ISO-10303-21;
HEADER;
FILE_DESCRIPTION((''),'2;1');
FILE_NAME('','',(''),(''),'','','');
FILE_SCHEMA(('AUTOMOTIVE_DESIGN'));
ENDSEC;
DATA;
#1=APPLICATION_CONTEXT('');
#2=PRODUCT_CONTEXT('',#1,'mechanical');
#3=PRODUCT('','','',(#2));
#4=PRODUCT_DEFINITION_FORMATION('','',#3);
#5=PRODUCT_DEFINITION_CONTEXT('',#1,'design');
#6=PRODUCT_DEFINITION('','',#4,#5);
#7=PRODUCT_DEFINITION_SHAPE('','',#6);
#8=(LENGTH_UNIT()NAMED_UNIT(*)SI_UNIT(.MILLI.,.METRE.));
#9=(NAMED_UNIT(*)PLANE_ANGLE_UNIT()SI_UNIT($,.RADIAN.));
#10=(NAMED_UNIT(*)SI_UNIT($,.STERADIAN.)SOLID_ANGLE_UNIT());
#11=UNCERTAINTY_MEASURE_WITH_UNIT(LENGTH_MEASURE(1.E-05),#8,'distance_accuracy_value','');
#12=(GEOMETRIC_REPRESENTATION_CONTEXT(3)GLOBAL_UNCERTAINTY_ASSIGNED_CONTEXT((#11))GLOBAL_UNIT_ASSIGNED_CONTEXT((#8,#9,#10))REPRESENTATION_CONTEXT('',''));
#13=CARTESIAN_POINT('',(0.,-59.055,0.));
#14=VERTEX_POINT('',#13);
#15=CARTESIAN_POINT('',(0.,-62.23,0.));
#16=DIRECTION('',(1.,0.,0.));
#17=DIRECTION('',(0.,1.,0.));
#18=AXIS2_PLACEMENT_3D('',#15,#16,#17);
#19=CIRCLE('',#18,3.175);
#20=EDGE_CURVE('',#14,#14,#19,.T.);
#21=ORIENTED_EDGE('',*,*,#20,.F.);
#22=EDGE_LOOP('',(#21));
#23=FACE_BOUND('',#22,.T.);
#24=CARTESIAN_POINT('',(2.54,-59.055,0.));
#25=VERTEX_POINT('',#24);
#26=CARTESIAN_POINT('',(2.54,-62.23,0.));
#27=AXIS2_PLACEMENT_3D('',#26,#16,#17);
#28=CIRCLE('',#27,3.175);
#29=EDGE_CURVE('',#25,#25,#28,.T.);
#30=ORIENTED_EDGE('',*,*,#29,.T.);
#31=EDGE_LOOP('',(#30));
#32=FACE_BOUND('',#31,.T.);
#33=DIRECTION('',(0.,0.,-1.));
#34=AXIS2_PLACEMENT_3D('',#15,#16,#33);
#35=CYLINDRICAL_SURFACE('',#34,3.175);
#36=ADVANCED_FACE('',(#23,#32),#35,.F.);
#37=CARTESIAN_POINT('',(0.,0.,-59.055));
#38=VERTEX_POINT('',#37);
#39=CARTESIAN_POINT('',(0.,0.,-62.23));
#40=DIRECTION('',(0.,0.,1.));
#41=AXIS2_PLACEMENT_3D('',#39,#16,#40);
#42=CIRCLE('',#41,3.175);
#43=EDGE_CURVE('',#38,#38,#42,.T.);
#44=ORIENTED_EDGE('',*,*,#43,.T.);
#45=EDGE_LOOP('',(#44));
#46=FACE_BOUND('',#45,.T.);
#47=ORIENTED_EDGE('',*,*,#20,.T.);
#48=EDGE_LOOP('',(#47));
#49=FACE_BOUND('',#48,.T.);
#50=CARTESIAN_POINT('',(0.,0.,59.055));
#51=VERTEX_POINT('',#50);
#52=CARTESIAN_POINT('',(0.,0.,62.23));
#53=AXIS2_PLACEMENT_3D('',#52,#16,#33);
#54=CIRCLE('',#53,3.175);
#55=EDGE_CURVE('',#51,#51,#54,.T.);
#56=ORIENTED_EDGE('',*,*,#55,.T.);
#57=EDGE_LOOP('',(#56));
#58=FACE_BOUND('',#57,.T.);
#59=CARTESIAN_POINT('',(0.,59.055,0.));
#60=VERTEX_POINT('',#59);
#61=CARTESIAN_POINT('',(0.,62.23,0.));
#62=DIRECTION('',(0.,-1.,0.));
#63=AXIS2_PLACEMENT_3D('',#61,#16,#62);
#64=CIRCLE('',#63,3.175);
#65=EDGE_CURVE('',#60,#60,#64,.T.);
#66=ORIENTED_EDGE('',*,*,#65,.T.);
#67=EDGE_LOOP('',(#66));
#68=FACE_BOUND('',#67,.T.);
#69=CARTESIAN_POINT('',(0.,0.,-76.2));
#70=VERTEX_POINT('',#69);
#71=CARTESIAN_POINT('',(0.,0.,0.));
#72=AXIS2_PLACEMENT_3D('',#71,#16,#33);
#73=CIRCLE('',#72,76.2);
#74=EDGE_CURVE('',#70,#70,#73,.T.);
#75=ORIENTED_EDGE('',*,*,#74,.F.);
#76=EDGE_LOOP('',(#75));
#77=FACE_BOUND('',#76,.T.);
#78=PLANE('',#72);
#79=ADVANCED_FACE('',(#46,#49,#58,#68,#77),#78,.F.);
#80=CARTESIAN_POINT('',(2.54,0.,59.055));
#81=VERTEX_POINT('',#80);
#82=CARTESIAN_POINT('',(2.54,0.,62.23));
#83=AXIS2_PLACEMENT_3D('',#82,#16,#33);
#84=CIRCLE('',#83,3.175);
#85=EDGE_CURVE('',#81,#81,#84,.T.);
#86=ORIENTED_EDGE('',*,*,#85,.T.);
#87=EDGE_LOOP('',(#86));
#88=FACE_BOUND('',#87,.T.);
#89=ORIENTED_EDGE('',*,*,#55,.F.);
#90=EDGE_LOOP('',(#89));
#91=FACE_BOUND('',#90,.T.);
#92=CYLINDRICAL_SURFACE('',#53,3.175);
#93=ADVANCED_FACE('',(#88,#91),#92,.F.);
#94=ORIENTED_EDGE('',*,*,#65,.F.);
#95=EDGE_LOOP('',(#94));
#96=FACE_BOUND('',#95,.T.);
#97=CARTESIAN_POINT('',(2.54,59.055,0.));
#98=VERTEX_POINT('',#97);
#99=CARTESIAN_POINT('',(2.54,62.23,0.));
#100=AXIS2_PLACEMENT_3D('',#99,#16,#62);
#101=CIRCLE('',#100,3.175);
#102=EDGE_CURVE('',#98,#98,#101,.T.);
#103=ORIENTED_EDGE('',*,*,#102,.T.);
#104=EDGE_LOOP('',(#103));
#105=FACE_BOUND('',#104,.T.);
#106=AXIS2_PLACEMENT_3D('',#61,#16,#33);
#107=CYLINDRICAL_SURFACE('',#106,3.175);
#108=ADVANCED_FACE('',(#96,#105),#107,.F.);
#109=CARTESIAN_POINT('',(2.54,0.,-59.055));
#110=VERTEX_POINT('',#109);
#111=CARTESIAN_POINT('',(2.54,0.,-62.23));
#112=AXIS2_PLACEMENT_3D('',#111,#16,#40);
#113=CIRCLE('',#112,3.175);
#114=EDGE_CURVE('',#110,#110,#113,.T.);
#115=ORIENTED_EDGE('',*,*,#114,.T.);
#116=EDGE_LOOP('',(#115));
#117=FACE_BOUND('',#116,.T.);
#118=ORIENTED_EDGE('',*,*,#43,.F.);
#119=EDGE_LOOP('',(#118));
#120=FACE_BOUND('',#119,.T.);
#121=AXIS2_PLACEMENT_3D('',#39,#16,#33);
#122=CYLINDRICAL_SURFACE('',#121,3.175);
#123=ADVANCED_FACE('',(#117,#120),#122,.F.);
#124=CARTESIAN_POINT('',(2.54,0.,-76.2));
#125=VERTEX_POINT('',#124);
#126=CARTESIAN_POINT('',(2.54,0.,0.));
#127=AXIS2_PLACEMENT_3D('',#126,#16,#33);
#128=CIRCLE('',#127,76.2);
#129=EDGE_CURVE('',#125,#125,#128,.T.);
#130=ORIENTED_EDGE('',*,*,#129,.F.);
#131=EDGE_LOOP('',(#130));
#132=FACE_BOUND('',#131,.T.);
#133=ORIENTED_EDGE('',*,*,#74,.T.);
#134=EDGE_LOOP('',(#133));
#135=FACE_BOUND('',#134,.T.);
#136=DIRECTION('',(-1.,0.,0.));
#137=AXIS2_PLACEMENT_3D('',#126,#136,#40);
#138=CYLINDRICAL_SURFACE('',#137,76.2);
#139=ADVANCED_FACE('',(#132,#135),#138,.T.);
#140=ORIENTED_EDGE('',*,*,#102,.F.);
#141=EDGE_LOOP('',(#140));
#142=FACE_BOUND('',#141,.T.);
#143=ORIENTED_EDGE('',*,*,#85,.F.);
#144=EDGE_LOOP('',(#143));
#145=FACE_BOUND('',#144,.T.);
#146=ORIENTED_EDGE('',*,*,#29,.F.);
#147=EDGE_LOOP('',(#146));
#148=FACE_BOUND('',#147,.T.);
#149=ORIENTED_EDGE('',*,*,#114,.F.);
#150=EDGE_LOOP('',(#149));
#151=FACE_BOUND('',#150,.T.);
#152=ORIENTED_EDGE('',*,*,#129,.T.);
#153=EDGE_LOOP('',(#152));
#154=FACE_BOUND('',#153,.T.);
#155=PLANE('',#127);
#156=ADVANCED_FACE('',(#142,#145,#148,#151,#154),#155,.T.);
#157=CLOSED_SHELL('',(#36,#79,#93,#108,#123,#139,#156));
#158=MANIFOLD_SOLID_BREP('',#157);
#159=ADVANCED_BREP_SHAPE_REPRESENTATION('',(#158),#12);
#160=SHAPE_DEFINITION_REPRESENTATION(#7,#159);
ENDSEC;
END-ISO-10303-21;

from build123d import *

# Parameters (mm, degrees)
SKETCH1_R           = 76.2
BOSS_EXTRUDE1_DEPTH = 2.54
SKETCH2_R           = 3.175
CUT_EXTRUDE2_DEPTH  = 108.793003484
CIRPATTERN2_COUNT   = 4


with BuildPart() as part:
    # Sketch1 → Boss-Extrude1 (new body)
    with BuildSketch(Plane.YZ):
        with Locations(Location((0, 0, 0), (0, 0, 270))):
            Circle(SKETCH1_R)
    extrude(amount=BOSS_EXTRUDE1_DEPTH)

    # Sketch2 → Cut-Extrude2 (cut, through all)
    with BuildSketch(Plane(origin=(2.54, 0, 0), x_dir=(0, 0, -1), z_dir=(1, 0, 0))):
        with Locations((-62.23, 0)):
            Circle(SKETCH2_R)
    cut_extrude2 = extrude(amount=-CUT_EXTRUDE2_DEPTH, mode=Mode.SUBTRACT)

    # CirPattern2: Cut-Extrude2 ×4 about axis
    cirpattern2_axis = Axis((0, 0, 0), (1, 0, 0))
    for i in range(1, CIRPATTERN2_COUNT):
        add(cut_extrude2.rotate(cirpattern2_axis, i * 360 / CIRPATTERN2_COUNT), mode=Mode.SUBTRACT)


solid = part.part
